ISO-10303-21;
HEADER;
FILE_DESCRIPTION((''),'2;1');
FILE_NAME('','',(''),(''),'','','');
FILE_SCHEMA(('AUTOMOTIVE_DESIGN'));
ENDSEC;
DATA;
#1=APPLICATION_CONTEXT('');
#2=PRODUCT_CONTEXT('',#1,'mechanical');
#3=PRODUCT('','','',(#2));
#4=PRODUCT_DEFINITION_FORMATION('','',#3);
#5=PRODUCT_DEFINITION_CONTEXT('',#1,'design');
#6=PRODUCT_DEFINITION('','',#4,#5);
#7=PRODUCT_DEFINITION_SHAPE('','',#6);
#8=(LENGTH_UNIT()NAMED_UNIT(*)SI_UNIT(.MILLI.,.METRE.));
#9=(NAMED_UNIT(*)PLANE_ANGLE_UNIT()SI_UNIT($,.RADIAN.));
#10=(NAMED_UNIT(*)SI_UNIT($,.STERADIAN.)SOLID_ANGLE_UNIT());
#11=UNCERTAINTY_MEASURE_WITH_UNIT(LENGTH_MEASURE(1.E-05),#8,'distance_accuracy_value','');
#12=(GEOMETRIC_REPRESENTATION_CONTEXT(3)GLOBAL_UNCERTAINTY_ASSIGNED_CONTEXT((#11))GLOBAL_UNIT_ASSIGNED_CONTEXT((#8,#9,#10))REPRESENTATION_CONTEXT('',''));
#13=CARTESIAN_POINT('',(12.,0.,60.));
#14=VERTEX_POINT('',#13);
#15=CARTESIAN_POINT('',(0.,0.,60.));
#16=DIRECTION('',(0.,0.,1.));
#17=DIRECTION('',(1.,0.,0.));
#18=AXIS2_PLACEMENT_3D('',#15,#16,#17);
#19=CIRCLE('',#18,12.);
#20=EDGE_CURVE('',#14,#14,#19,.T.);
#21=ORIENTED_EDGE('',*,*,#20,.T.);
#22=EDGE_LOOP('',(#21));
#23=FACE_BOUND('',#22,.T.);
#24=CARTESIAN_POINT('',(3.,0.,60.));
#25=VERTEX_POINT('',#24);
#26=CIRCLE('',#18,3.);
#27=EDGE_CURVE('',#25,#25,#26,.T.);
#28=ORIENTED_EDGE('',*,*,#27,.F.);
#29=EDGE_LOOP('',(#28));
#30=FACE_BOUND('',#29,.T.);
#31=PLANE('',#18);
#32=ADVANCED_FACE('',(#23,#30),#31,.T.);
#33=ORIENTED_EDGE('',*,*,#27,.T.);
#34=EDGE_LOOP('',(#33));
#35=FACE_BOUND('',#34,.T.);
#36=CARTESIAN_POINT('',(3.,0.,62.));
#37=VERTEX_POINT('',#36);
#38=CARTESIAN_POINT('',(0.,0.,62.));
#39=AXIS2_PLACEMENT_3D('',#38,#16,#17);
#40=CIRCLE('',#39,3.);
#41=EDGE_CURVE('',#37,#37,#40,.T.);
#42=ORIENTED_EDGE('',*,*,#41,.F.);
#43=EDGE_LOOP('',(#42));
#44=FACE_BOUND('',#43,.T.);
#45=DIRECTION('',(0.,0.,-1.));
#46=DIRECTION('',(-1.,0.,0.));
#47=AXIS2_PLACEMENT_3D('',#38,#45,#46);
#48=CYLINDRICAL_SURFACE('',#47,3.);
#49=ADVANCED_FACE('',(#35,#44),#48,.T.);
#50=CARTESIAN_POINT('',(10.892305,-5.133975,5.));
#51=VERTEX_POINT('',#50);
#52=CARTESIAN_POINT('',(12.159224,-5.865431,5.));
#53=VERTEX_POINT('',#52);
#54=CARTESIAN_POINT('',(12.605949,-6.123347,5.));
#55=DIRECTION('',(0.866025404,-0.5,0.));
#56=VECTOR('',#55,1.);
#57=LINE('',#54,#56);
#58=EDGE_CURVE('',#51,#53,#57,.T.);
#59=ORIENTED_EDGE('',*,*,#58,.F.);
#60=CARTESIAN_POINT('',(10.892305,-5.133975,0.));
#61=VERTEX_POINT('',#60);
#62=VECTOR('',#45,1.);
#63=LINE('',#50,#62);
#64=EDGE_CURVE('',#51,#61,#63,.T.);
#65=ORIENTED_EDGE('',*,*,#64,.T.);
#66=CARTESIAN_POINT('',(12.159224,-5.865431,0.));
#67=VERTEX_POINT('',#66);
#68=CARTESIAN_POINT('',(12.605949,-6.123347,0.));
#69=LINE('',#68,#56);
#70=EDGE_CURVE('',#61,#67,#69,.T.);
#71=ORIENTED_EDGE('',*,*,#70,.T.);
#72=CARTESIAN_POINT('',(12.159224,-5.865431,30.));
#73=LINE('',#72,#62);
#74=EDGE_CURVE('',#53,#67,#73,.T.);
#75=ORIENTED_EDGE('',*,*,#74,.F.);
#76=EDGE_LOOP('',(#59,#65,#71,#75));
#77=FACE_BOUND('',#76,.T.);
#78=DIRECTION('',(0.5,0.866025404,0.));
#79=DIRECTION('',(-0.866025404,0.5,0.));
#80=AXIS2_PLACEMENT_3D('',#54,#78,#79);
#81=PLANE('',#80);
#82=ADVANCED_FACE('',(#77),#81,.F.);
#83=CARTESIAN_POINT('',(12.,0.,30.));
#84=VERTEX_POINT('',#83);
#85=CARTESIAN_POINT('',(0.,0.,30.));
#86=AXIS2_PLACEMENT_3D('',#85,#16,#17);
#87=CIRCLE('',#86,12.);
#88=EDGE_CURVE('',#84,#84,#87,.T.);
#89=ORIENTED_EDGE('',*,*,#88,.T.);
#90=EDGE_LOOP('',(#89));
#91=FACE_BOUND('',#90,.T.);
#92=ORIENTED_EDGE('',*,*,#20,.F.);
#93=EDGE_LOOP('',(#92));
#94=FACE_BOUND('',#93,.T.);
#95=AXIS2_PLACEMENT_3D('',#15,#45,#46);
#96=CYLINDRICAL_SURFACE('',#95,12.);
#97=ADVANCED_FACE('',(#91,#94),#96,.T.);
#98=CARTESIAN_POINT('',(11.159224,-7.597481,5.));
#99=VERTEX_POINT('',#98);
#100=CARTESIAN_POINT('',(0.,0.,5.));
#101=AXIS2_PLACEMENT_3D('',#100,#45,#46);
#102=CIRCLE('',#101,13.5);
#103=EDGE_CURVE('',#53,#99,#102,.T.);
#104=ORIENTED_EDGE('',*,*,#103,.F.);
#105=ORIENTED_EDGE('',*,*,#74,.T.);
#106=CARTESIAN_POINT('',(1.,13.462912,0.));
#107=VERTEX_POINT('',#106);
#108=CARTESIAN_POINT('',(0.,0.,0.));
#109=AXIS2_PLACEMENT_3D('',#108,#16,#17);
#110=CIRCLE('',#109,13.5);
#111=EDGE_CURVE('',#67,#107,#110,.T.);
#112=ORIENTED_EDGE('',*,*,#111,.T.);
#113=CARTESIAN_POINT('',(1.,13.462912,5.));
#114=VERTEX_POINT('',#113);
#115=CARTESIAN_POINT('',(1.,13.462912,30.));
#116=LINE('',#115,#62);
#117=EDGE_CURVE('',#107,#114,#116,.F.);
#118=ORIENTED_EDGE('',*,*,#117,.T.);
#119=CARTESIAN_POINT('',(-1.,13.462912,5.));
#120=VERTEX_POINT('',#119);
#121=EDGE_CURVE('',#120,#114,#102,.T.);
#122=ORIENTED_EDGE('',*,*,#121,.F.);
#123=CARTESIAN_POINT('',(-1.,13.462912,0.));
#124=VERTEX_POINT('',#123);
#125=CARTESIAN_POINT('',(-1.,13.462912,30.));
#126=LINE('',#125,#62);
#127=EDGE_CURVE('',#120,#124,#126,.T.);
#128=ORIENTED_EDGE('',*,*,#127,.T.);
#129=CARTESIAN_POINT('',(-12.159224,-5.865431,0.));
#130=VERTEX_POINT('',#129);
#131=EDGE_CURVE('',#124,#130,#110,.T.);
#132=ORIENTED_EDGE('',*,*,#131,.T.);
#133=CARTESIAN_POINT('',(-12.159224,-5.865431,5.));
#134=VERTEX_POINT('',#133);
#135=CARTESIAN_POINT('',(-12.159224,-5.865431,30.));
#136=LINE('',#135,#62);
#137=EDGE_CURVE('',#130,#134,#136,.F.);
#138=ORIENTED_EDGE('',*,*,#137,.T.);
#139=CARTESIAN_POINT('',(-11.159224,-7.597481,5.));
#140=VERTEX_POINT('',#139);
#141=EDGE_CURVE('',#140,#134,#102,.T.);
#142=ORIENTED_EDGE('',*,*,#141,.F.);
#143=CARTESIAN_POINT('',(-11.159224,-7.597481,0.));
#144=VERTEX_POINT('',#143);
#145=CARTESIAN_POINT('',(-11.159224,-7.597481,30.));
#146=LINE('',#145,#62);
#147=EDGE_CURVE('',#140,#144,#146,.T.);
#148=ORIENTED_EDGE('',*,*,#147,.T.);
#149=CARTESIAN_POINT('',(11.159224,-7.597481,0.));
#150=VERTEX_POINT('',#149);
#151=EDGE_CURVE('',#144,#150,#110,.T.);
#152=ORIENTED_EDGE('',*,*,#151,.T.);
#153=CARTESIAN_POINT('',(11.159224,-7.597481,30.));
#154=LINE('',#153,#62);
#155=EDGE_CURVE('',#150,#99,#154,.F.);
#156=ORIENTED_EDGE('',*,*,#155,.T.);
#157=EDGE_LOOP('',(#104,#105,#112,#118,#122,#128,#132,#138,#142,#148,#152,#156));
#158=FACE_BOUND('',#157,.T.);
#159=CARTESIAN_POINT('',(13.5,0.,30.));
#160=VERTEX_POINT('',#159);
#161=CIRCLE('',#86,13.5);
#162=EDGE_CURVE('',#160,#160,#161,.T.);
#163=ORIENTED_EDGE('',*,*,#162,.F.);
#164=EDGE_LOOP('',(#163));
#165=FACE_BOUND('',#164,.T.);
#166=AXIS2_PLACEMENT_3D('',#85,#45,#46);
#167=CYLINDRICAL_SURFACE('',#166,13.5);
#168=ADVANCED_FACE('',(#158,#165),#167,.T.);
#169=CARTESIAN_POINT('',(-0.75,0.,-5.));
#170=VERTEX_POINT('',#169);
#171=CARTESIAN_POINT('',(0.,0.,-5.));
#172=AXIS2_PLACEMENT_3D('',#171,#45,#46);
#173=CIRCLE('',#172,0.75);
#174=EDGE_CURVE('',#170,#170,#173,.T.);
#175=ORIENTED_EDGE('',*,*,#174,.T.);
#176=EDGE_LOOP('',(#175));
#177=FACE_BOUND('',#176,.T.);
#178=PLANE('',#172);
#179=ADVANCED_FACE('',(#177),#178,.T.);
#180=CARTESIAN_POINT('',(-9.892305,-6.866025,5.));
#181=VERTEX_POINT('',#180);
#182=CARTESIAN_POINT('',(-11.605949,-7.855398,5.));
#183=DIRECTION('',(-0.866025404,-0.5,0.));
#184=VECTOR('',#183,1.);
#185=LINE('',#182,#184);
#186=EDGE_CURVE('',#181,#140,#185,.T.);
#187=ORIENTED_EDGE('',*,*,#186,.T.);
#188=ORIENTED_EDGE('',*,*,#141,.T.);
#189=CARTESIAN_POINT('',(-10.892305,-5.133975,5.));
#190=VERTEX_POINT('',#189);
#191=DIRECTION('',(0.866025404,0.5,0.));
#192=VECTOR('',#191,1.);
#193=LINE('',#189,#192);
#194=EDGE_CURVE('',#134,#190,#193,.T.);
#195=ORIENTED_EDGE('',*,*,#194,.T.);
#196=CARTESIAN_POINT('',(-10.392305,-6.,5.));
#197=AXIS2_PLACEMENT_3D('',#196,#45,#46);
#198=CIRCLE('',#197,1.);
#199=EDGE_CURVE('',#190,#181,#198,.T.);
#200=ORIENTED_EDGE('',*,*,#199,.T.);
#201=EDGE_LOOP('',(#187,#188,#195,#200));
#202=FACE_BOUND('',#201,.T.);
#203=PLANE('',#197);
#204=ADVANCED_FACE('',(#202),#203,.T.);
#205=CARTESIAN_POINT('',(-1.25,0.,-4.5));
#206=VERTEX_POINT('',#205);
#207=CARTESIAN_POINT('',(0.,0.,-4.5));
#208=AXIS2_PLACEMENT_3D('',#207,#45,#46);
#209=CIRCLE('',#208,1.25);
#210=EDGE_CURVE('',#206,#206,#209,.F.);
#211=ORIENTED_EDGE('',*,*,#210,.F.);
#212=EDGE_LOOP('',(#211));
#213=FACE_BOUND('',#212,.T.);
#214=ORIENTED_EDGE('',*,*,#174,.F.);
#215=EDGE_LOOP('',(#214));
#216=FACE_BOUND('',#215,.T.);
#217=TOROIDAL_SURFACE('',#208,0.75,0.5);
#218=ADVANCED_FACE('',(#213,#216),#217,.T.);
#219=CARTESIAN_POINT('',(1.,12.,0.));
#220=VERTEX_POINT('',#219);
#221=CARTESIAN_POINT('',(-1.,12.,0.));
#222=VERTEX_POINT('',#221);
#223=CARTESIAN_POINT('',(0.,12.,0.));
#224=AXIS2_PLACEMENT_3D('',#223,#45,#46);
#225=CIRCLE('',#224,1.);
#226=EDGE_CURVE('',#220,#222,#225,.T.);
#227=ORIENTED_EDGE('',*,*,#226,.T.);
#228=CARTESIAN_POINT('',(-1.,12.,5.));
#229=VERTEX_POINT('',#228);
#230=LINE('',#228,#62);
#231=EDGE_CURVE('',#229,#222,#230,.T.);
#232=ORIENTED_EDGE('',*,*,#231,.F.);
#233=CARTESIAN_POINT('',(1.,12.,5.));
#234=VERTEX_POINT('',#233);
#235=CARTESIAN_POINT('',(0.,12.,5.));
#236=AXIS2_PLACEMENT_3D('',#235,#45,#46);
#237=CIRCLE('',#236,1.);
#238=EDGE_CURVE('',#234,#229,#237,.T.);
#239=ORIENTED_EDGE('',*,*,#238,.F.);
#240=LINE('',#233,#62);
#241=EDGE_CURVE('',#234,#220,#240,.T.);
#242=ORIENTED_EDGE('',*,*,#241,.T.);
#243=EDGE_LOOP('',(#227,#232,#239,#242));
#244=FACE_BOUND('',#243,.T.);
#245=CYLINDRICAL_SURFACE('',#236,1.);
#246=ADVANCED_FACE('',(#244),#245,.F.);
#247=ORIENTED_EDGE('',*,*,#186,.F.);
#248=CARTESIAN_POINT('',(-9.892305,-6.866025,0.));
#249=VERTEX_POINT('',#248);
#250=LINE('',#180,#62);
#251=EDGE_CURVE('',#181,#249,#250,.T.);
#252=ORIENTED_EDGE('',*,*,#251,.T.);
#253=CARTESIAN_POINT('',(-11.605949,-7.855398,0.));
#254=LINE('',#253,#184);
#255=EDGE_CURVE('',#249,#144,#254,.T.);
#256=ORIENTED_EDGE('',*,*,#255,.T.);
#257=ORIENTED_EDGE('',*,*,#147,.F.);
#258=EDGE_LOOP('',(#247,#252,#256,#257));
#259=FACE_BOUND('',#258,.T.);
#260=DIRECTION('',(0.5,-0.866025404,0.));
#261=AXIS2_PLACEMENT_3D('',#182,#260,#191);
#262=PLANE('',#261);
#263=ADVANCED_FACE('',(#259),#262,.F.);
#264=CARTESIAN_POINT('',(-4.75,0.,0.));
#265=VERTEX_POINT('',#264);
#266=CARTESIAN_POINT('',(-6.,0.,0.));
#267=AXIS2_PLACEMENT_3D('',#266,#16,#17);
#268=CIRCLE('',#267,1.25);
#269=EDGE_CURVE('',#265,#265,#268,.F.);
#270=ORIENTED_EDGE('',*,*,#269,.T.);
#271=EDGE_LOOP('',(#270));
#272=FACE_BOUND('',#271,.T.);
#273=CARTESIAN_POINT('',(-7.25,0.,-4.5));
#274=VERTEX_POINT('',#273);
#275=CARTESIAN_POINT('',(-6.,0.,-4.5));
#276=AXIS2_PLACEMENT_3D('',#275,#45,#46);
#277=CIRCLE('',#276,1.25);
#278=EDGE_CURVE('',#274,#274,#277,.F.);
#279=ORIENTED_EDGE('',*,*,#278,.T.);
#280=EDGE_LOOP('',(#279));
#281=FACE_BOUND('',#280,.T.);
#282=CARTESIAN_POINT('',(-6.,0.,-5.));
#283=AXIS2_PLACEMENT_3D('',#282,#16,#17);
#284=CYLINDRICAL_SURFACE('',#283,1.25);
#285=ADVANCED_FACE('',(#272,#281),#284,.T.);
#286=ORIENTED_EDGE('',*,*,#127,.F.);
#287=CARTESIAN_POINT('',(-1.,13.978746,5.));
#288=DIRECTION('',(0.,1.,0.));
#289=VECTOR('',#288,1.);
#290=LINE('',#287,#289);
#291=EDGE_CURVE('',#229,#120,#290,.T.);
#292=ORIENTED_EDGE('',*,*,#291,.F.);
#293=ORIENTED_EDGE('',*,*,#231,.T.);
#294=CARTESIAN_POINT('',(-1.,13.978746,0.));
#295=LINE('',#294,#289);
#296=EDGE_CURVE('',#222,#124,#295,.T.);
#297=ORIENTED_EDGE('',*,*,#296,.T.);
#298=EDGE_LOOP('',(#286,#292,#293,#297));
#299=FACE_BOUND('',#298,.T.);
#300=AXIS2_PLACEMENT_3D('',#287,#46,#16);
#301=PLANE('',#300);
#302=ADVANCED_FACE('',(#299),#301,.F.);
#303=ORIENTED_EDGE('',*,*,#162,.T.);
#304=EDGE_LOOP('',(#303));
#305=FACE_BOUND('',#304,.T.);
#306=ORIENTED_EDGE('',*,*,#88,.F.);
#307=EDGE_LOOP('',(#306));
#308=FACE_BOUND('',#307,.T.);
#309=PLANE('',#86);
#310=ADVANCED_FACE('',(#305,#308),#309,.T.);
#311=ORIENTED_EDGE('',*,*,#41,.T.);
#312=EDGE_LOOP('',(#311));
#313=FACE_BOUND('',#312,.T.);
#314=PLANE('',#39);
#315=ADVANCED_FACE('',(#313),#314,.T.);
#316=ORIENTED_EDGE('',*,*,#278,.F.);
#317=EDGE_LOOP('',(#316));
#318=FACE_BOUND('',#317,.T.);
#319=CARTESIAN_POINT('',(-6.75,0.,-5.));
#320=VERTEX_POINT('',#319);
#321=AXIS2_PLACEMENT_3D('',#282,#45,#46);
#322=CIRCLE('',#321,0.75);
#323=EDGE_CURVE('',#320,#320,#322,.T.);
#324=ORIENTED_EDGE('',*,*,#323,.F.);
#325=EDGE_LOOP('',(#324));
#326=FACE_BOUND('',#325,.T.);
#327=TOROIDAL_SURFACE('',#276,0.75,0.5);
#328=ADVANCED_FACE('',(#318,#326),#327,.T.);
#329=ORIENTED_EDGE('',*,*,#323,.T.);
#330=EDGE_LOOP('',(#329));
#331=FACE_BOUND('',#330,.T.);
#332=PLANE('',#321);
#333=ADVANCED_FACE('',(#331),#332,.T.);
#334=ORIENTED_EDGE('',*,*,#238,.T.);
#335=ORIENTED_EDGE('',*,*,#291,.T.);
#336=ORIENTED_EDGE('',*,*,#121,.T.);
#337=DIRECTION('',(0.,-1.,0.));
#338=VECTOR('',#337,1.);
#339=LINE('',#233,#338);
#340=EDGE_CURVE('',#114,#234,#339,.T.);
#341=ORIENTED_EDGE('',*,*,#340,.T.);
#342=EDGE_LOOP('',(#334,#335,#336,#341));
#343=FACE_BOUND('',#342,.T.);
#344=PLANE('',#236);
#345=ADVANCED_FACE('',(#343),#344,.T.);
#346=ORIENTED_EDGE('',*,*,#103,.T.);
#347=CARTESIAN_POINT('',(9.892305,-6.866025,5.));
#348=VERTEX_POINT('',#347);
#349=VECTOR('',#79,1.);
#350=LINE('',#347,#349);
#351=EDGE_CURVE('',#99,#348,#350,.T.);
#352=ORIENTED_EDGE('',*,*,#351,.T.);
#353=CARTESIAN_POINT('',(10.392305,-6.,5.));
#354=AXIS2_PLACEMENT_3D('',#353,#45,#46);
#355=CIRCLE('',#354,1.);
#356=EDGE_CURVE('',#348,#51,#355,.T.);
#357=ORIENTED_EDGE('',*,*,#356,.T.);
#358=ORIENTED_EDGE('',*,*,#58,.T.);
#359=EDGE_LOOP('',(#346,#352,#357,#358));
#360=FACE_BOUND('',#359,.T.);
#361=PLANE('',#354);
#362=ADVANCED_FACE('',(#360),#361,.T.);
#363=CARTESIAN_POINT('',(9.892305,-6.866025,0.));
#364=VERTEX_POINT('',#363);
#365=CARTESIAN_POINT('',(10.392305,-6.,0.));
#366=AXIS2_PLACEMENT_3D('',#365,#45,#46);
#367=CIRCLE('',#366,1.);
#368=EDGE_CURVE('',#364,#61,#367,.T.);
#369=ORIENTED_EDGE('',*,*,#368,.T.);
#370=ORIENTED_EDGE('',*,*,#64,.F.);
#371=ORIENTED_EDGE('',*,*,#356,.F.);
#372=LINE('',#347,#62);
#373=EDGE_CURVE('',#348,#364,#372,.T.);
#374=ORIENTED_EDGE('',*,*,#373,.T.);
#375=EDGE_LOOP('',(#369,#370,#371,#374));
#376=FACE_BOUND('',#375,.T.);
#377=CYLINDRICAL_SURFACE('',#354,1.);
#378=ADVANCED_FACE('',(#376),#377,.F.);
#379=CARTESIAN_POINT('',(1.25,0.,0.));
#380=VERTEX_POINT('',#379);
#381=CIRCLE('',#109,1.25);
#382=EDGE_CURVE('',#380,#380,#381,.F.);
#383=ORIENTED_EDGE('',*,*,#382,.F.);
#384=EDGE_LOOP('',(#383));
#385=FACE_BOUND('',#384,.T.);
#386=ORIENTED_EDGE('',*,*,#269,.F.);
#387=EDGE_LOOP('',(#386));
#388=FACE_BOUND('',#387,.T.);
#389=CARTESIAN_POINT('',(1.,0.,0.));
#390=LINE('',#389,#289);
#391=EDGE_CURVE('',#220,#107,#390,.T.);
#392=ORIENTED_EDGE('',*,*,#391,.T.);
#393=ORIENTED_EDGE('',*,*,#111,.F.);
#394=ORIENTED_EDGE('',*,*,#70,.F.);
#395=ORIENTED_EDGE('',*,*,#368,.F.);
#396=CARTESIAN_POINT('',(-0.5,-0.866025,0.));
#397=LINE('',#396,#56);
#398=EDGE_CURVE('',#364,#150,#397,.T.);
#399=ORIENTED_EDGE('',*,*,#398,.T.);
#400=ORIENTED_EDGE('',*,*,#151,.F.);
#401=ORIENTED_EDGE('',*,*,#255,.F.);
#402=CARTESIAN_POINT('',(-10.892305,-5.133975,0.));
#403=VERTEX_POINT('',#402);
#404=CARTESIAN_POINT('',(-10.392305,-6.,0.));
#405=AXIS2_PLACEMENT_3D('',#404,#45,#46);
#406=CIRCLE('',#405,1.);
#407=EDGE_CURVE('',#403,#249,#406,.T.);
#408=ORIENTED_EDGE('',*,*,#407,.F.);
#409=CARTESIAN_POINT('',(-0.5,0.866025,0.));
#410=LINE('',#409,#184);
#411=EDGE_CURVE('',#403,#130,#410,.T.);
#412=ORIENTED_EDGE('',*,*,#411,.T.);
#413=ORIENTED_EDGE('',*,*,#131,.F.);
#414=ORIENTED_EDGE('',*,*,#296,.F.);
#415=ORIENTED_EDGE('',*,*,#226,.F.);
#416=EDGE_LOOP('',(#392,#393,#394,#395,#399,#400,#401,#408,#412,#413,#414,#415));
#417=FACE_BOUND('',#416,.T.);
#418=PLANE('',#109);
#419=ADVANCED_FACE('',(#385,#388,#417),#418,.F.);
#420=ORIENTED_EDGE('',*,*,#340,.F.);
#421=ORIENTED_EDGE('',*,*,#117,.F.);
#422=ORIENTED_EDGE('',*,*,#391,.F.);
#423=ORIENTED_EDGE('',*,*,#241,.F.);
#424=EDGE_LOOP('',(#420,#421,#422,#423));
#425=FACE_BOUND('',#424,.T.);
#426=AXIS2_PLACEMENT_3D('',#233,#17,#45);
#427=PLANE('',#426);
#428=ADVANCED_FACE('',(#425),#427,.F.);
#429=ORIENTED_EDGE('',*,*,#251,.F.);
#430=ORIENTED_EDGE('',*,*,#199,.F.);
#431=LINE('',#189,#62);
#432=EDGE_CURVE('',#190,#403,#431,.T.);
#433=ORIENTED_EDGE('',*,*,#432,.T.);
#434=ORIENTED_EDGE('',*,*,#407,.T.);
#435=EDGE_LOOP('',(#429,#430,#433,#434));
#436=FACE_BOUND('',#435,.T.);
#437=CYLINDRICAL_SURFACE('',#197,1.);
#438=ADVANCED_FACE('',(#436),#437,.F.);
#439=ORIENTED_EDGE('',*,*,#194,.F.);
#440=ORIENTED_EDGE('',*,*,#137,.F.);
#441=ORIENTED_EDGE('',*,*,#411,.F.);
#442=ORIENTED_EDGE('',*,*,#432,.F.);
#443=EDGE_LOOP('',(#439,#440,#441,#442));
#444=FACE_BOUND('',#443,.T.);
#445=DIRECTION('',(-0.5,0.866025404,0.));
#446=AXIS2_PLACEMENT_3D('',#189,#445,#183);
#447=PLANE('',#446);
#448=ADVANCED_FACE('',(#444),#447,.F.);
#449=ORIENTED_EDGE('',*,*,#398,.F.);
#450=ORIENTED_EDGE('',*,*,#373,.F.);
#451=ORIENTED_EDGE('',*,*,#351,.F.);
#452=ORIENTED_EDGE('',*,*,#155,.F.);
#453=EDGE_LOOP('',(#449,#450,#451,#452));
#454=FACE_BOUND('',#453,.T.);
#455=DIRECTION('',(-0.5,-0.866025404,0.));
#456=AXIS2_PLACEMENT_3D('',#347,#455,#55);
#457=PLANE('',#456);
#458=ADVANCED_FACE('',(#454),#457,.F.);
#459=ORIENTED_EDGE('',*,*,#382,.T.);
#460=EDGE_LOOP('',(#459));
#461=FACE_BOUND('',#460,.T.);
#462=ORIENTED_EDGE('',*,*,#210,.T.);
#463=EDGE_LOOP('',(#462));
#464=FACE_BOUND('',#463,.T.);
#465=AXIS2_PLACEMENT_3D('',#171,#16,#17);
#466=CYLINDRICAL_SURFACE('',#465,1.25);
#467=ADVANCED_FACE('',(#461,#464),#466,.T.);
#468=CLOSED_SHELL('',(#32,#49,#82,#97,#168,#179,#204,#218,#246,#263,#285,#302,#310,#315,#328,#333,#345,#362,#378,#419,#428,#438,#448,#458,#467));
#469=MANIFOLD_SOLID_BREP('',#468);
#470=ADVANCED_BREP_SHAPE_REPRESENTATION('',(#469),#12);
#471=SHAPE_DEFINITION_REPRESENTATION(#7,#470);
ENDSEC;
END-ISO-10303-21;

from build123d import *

# Parameters (mm, degrees)
SKETCH_1_R          = 13.5
EXTRUDE_1_DEPTH     = 30
SKETCH_2_R          = 12
EXTRUDE_2_DEPTH     = 30
SKETCH_3_R          = 3
EXTRUDE_3_DEPTH     = 2
CUT_EXTRUDE_1_DEPTH = 5
SKETCH_5_R          = 1.25
EXTRUDE_4_DEPTH     = 5
FILLET_1_R          = 0.5


with BuildPart() as part:
    # 草图1 → 凸台-拉伸1 (new body)
    with BuildSketch(Plane.XY):
        Circle(SKETCH_1_R)
    extrude(amount=EXTRUDE_1_DEPTH)

    # 草图2 → 凸台-拉伸2 (add)
    with BuildSketch(Plane.XY.offset(30)):
        Circle(SKETCH_2_R)
    extrude(amount=EXTRUDE_2_DEPTH)

    # 草图3 → 凸台-拉伸3 (add)
    with BuildSketch(Plane.XY.offset(60)):
        Circle(SKETCH_3_R)
    extrude(amount=EXTRUDE_3_DEPTH)

    # 草图4 → 切除-拉伸1 (cut)
    with BuildSketch(Plane(origin=(0, 0, 0), x_dir=(-1, 0, 0), z_dir=(0, 0, -1))):
        with BuildLine():
            Line((-1, 12), (-1, 13.978745528))
            Line((-1, 13.978745528), (1, 13.978745528))
            Line((1, 13.978745528), (1, 12))
            ThreePointArc((1, 12), (0, 11), (-1, 12))
        make_face()
        with BuildLine():
            Line((10.892304845, -5.133974596), (12.60594874, -6.12334736))
            Line((12.60594874, -6.12334736), (11.60594874, -7.855398168))
            Line((11.60594874, -7.855398168), (9.892304845, -6.866025404))
            ThreePointArc((9.892304845, -6.866025404), (9.526279442, -5.5), (10.892304845, -5.133974596))
        make_face()
        with BuildLine():
            Line((-9.892304845, -6.866025404), (-11.60594874, -7.855398168))
            Line((-11.60594874, -7.855398168), (-12.60594874, -6.12334736))
            Line((-12.60594874, -6.12334736), (-10.892304845, -5.133974596))
            ThreePointArc((-10.892304845, -5.133974596), (-9.526279442, -5.5), (-9.892304845, -6.866025404))
        make_face()
    extrude(amount=-CUT_EXTRUDE_1_DEPTH, mode=Mode.SUBTRACT)

    # 草图5 → 凸台-拉伸4 (add)
    with BuildSketch(Plane(origin=(0, 0, 0), x_dir=(-1, 0, 0), z_dir=(0, 0, -1))):
        with Locations(Location((0, 0, 0), (0, 0, 180))):
            Circle(SKETCH_5_R)
        with Locations(Location((6, 0, 0), (0, 0, 180))):
            Circle(SKETCH_5_R)
    extrude(amount=EXTRUDE_4_DEPTH)

    # 圆角1
    fillet_1_edges = [part.edges().sort_by_distance(p)[0] for p in [
        (-1.25, 0, -5),
        (-7.25, 0, -5),
    ]]
    fillet(fillet_1_edges, radius=FILLET_1_R)


solid = part.part
